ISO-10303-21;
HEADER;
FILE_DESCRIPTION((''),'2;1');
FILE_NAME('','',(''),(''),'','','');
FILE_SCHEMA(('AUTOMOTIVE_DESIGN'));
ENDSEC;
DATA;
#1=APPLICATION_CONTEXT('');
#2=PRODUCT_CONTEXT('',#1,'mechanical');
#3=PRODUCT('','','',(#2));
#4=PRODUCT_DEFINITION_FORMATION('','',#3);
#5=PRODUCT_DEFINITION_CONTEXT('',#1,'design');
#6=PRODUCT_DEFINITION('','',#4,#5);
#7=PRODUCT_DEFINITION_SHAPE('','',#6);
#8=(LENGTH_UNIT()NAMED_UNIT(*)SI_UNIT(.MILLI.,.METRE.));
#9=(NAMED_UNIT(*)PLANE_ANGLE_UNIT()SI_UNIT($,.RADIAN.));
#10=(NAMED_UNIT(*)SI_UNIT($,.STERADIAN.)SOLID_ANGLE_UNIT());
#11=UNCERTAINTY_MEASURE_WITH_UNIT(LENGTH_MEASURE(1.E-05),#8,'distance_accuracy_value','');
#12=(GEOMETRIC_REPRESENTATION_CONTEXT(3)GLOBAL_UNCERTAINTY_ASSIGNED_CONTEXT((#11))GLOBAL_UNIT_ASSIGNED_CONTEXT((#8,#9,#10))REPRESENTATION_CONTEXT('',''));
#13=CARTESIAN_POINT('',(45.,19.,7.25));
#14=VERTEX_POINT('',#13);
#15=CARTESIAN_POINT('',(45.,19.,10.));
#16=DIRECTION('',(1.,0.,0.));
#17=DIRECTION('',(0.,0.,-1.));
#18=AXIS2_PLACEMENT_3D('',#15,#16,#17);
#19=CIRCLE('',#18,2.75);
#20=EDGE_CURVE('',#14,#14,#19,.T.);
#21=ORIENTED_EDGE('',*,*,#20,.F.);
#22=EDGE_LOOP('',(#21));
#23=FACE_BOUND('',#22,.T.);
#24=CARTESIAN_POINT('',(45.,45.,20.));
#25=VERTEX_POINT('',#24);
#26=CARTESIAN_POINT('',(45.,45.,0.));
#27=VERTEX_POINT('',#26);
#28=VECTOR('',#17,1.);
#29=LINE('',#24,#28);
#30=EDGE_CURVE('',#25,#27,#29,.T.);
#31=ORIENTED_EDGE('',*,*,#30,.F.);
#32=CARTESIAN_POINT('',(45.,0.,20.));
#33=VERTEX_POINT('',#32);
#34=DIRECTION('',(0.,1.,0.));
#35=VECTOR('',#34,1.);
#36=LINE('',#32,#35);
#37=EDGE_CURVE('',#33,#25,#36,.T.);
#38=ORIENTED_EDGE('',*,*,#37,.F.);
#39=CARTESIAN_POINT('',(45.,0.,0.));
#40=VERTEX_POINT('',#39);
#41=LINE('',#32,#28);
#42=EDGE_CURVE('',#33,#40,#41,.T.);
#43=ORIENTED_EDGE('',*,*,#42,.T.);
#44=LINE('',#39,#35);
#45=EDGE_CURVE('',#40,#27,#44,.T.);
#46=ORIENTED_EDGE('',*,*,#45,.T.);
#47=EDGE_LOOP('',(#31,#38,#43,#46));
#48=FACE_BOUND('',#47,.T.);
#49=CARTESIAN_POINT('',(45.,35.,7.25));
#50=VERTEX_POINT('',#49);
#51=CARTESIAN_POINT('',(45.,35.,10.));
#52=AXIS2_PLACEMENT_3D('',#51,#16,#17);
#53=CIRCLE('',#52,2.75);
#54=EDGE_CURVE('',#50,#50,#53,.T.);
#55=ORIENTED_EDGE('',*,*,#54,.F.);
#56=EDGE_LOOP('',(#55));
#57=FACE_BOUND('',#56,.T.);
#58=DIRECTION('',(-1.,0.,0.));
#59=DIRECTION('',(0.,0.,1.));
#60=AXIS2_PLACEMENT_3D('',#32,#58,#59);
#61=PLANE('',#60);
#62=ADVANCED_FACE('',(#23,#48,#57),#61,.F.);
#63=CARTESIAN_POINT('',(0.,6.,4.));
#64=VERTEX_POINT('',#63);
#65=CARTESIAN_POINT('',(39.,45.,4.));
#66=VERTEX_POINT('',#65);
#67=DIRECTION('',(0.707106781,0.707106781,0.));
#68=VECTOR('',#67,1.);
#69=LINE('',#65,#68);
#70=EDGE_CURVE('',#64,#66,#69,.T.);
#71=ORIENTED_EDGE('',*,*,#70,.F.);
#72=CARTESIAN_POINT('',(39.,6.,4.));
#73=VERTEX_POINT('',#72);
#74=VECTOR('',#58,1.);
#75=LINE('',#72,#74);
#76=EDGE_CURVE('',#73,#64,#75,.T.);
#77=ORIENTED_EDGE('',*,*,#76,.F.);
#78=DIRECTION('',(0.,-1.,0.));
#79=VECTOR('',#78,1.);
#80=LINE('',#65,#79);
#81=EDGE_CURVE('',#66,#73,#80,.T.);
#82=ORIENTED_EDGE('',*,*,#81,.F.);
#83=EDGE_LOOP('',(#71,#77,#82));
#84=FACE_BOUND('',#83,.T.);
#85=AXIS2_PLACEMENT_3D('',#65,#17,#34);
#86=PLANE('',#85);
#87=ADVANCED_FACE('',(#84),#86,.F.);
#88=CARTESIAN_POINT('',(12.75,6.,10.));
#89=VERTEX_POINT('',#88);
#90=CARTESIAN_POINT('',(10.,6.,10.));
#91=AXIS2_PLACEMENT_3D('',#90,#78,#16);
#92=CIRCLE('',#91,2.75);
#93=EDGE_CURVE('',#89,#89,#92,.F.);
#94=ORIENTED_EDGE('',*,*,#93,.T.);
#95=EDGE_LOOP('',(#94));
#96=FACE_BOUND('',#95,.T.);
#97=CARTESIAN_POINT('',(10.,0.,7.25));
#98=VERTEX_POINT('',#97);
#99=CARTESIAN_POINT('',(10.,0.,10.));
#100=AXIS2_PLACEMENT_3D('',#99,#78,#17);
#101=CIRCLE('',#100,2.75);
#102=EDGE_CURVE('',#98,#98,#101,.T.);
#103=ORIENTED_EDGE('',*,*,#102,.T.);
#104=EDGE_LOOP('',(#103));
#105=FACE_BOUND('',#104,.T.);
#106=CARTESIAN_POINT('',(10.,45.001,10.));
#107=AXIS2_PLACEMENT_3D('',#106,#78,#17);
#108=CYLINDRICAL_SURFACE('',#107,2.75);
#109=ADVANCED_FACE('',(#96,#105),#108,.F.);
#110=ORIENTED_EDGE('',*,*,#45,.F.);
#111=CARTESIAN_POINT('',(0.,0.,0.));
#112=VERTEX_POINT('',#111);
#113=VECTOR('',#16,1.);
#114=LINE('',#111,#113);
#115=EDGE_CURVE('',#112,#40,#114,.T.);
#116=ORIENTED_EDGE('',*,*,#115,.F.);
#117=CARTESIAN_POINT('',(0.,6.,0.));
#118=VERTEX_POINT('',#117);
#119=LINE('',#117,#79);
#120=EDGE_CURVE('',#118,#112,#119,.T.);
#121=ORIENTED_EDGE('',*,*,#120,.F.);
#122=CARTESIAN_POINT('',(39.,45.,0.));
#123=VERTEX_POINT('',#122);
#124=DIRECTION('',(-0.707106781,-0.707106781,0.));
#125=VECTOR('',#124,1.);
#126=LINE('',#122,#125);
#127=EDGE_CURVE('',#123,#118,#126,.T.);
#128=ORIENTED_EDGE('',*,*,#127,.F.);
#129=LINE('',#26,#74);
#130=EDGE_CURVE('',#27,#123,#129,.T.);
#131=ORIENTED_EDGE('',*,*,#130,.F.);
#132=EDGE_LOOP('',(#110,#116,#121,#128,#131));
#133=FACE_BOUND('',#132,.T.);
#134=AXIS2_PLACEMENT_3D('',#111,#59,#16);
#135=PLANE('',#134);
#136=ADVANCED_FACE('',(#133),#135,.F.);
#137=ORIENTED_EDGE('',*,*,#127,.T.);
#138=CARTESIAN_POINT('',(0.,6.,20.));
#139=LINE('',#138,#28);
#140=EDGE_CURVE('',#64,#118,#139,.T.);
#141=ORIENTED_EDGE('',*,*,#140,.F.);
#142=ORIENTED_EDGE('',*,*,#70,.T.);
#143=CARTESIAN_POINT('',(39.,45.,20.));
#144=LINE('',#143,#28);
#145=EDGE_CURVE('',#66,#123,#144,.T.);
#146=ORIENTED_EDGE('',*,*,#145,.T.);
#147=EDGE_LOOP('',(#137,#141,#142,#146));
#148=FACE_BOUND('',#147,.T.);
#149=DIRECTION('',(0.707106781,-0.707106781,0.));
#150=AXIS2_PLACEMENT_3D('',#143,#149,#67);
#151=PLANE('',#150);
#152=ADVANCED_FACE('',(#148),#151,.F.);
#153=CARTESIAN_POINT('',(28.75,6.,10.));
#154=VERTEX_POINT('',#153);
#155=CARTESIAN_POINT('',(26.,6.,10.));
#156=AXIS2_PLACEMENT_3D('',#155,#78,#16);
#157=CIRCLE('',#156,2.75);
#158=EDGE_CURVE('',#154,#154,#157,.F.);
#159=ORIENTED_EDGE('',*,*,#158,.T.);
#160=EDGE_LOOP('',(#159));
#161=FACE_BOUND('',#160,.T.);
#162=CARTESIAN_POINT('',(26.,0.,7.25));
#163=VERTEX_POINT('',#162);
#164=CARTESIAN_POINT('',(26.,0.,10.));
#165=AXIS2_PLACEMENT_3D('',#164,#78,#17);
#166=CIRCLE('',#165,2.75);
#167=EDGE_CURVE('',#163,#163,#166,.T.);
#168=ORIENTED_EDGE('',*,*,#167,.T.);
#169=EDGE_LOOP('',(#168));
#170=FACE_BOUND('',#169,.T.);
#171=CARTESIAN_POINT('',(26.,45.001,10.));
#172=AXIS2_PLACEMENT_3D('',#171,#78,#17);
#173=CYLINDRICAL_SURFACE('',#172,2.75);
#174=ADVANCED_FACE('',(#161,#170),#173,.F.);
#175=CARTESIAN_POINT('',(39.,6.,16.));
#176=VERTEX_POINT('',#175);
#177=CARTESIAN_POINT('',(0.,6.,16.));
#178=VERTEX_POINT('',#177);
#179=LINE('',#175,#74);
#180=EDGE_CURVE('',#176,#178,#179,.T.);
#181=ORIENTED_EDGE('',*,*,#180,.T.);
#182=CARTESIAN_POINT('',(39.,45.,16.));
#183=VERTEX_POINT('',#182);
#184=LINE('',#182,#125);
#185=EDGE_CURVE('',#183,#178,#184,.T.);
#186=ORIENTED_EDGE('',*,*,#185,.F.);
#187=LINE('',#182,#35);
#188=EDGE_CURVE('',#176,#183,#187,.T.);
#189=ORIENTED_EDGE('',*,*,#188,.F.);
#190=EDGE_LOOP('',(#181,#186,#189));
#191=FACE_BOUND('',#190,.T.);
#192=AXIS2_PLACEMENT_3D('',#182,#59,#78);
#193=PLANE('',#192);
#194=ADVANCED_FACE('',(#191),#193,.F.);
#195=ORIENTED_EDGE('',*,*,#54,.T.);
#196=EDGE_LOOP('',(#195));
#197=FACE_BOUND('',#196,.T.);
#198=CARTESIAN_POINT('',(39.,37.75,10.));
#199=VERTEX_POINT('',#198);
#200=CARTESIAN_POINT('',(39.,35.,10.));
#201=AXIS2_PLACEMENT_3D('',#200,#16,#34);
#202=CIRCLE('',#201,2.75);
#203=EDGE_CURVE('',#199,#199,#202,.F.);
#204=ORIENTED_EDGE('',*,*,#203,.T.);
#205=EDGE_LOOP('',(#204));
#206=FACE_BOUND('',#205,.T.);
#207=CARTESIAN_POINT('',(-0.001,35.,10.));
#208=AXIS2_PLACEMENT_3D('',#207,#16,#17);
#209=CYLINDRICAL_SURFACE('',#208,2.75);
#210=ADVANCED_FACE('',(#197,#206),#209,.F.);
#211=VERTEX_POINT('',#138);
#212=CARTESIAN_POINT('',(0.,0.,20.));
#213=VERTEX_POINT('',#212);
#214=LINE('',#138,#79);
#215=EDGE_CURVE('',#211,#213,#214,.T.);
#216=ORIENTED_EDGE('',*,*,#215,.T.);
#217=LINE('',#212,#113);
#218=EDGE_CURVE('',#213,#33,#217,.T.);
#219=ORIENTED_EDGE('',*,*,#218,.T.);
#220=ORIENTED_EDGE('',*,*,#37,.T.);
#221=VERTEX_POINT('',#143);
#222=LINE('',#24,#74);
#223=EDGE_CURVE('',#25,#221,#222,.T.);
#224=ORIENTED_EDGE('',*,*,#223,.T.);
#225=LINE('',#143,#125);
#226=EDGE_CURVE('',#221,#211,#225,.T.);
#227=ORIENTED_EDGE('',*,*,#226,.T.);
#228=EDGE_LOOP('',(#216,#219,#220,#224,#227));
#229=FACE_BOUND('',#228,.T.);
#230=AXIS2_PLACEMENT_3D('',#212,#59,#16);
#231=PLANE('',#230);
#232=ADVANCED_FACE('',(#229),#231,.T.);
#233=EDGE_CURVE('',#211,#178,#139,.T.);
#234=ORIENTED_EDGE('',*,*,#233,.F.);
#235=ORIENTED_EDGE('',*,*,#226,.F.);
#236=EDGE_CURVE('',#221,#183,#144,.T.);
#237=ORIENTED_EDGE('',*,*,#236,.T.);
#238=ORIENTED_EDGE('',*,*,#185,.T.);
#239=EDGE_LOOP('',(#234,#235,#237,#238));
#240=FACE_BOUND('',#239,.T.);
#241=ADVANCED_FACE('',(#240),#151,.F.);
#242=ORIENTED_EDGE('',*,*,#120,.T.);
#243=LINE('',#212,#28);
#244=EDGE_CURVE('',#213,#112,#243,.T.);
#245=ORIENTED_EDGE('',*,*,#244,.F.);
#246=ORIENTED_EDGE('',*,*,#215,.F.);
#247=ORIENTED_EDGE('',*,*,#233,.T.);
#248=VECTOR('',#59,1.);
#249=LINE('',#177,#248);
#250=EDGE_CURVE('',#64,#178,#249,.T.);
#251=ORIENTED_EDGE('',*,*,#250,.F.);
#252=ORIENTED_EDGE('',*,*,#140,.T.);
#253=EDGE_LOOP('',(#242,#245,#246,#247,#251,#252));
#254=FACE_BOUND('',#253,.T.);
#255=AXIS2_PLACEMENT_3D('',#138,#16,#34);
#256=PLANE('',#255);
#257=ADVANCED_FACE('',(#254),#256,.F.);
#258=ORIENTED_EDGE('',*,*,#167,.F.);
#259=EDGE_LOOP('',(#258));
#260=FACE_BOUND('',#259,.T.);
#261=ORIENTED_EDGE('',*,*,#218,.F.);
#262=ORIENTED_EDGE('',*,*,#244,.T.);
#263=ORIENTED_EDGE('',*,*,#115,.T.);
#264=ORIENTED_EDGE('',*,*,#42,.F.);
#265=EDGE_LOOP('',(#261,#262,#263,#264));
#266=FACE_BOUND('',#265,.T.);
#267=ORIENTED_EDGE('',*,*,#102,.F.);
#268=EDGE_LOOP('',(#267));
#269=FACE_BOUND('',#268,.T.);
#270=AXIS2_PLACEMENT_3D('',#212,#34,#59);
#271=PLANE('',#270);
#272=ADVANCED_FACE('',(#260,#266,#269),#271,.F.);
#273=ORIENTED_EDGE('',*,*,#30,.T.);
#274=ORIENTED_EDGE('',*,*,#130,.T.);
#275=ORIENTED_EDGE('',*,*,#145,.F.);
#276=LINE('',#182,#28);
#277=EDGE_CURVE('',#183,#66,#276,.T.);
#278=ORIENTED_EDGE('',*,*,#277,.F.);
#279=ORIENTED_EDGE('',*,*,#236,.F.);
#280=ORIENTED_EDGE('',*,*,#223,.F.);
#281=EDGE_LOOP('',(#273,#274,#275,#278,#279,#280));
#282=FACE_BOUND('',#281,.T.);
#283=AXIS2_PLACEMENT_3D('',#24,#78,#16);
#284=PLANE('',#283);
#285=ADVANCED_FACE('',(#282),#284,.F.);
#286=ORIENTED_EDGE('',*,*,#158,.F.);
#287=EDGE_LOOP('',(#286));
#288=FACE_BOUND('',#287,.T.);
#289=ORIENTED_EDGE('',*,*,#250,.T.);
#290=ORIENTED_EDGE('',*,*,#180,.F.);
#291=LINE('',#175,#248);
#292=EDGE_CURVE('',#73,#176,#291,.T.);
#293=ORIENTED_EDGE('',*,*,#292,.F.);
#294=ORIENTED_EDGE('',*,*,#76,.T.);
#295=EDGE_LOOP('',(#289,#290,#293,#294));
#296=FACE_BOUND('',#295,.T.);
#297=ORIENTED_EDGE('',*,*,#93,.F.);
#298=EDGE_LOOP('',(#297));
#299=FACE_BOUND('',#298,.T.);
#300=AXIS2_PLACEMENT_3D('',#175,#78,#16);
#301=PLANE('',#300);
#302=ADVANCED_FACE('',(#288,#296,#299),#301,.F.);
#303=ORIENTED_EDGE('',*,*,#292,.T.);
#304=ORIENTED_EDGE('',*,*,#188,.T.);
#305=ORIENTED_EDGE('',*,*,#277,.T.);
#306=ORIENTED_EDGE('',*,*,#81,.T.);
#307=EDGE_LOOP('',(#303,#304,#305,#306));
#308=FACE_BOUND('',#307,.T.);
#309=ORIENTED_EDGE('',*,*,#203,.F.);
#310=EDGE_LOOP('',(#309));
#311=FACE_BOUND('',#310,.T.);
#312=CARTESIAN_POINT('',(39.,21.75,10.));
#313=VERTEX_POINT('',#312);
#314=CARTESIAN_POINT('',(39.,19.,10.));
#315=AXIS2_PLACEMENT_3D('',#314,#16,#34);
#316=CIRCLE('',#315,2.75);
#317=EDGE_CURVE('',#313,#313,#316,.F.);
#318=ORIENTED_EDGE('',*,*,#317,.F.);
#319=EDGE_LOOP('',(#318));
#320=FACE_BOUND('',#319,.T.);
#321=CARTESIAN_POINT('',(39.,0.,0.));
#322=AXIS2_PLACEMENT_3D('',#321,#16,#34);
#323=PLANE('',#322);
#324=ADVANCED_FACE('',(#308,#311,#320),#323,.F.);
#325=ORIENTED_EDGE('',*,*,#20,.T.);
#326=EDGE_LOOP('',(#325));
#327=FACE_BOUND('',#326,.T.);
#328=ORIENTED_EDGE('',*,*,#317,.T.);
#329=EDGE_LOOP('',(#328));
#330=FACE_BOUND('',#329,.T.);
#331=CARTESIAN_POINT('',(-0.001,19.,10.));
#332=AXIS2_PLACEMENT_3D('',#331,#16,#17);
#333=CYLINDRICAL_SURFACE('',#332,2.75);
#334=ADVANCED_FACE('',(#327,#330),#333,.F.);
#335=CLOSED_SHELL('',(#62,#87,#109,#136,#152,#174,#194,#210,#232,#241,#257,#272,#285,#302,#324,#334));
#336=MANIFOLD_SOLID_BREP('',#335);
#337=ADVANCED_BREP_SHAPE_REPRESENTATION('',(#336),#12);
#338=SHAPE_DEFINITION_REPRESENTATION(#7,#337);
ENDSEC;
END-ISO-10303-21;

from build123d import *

# Parameters (mm, degrees)
SALIENTE_EXTRUIR1_DEPTH = 20
CROQUIS2_W              = 12
CROQUIS2_H              = 39
CORTAR_EXTRUIR1_DEPTH   = 39
CORTAR_EXTRUIR2_REACH   = 47
CROQUIS3_R              = 2.75
CORTAR_EXTRUIR3_REACH   = 47
CROQUIS4_R              = 2.75


with BuildPart() as part:
    # Croquis1 → Saliente-Extruir1 (new body)
    with BuildSketch(Plane.XY):
        Polygon((0, 0), (45, 0), (45, 45), (39, 45), (0, 6), align=None)
    extrude(amount=SALIENTE_EXTRUIR1_DEPTH)

    # Croquis2 → Cortar-Extruir1 (cut)
    with BuildSketch(Plane.ZY):
        with Locations((10, 25.5)):
            Rectangle(CROQUIS2_W, CROQUIS2_H)
    extrude(amount=-CORTAR_EXTRUIR1_DEPTH, mode=Mode.SUBTRACT)

    # Croquis3 → Cortar-Extruir2 (cut, up to next)
    with BuildSketch(Plane(origin=(45, 0, 0), x_dir=(0, 0, -1), z_dir=(1, 0, 0)), mode=Mode.PRIVATE) as cortar_extruir2_sk1:
        with Locations((-10, 35)):
            Circle(CROQUIS3_R)
    cortar_extruir2_tool1 = extrude(cortar_extruir2_sk1.sketch, amount=-CORTAR_EXTRUIR2_REACH, mode=Mode.PRIVATE) & part.part
    add(cortar_extruir2_tool1.solids().sort_by_distance((45, 35, 10))[0], mode=Mode.SUBTRACT)
    # Croquis3 → Cortar-Extruir2 (cut, up to next)
    with BuildSketch(Plane(origin=(45, 0, 0), x_dir=(0, 0, -1), z_dir=(1, 0, 0)), mode=Mode.PRIVATE) as cortar_extruir2_sk2:
        with Locations((-10, 19)):
            Circle(CROQUIS3_R)
    cortar_extruir2_tool2 = extrude(cortar_extruir2_sk2.sketch, amount=-CORTAR_EXTRUIR2_REACH, mode=Mode.PRIVATE) & part.part
    add(cortar_extruir2_tool2.solids().sort_by_distance((45, 19, 10))[0], mode=Mode.SUBTRACT)

    # Croquis4 → Cortar-Extruir3 (cut, up to next)
    with BuildSketch(Plane.XZ, mode=Mode.PRIVATE) as cortar_extruir3_sk1:
        with Locations((10, 10)):
            Circle(CROQUIS4_R)
    cortar_extruir3_tool1 = extrude(cortar_extruir3_sk1.sketch, amount=-CORTAR_EXTRUIR3_REACH, mode=Mode.PRIVATE) & part.part
    add(cortar_extruir3_tool1.solids().sort_by_distance((10, 0, 10))[0], mode=Mode.SUBTRACT)
    # Croquis4 → Cortar-Extruir3 (cut, up to next)
    with BuildSketch(Plane.XZ, mode=Mode.PRIVATE) as cortar_extruir3_sk2:
        with Locations((26, 10)):
            Circle(CROQUIS4_R)
    cortar_extruir3_tool2 = extrude(cortar_extruir3_sk2.sketch, amount=-CORTAR_EXTRUIR3_REACH, mode=Mode.PRIVATE) & part.part
    add(cortar_extruir3_tool2.solids().sort_by_distance((26, 0, 10))[0], mode=Mode.SUBTRACT)


solid = part.part
